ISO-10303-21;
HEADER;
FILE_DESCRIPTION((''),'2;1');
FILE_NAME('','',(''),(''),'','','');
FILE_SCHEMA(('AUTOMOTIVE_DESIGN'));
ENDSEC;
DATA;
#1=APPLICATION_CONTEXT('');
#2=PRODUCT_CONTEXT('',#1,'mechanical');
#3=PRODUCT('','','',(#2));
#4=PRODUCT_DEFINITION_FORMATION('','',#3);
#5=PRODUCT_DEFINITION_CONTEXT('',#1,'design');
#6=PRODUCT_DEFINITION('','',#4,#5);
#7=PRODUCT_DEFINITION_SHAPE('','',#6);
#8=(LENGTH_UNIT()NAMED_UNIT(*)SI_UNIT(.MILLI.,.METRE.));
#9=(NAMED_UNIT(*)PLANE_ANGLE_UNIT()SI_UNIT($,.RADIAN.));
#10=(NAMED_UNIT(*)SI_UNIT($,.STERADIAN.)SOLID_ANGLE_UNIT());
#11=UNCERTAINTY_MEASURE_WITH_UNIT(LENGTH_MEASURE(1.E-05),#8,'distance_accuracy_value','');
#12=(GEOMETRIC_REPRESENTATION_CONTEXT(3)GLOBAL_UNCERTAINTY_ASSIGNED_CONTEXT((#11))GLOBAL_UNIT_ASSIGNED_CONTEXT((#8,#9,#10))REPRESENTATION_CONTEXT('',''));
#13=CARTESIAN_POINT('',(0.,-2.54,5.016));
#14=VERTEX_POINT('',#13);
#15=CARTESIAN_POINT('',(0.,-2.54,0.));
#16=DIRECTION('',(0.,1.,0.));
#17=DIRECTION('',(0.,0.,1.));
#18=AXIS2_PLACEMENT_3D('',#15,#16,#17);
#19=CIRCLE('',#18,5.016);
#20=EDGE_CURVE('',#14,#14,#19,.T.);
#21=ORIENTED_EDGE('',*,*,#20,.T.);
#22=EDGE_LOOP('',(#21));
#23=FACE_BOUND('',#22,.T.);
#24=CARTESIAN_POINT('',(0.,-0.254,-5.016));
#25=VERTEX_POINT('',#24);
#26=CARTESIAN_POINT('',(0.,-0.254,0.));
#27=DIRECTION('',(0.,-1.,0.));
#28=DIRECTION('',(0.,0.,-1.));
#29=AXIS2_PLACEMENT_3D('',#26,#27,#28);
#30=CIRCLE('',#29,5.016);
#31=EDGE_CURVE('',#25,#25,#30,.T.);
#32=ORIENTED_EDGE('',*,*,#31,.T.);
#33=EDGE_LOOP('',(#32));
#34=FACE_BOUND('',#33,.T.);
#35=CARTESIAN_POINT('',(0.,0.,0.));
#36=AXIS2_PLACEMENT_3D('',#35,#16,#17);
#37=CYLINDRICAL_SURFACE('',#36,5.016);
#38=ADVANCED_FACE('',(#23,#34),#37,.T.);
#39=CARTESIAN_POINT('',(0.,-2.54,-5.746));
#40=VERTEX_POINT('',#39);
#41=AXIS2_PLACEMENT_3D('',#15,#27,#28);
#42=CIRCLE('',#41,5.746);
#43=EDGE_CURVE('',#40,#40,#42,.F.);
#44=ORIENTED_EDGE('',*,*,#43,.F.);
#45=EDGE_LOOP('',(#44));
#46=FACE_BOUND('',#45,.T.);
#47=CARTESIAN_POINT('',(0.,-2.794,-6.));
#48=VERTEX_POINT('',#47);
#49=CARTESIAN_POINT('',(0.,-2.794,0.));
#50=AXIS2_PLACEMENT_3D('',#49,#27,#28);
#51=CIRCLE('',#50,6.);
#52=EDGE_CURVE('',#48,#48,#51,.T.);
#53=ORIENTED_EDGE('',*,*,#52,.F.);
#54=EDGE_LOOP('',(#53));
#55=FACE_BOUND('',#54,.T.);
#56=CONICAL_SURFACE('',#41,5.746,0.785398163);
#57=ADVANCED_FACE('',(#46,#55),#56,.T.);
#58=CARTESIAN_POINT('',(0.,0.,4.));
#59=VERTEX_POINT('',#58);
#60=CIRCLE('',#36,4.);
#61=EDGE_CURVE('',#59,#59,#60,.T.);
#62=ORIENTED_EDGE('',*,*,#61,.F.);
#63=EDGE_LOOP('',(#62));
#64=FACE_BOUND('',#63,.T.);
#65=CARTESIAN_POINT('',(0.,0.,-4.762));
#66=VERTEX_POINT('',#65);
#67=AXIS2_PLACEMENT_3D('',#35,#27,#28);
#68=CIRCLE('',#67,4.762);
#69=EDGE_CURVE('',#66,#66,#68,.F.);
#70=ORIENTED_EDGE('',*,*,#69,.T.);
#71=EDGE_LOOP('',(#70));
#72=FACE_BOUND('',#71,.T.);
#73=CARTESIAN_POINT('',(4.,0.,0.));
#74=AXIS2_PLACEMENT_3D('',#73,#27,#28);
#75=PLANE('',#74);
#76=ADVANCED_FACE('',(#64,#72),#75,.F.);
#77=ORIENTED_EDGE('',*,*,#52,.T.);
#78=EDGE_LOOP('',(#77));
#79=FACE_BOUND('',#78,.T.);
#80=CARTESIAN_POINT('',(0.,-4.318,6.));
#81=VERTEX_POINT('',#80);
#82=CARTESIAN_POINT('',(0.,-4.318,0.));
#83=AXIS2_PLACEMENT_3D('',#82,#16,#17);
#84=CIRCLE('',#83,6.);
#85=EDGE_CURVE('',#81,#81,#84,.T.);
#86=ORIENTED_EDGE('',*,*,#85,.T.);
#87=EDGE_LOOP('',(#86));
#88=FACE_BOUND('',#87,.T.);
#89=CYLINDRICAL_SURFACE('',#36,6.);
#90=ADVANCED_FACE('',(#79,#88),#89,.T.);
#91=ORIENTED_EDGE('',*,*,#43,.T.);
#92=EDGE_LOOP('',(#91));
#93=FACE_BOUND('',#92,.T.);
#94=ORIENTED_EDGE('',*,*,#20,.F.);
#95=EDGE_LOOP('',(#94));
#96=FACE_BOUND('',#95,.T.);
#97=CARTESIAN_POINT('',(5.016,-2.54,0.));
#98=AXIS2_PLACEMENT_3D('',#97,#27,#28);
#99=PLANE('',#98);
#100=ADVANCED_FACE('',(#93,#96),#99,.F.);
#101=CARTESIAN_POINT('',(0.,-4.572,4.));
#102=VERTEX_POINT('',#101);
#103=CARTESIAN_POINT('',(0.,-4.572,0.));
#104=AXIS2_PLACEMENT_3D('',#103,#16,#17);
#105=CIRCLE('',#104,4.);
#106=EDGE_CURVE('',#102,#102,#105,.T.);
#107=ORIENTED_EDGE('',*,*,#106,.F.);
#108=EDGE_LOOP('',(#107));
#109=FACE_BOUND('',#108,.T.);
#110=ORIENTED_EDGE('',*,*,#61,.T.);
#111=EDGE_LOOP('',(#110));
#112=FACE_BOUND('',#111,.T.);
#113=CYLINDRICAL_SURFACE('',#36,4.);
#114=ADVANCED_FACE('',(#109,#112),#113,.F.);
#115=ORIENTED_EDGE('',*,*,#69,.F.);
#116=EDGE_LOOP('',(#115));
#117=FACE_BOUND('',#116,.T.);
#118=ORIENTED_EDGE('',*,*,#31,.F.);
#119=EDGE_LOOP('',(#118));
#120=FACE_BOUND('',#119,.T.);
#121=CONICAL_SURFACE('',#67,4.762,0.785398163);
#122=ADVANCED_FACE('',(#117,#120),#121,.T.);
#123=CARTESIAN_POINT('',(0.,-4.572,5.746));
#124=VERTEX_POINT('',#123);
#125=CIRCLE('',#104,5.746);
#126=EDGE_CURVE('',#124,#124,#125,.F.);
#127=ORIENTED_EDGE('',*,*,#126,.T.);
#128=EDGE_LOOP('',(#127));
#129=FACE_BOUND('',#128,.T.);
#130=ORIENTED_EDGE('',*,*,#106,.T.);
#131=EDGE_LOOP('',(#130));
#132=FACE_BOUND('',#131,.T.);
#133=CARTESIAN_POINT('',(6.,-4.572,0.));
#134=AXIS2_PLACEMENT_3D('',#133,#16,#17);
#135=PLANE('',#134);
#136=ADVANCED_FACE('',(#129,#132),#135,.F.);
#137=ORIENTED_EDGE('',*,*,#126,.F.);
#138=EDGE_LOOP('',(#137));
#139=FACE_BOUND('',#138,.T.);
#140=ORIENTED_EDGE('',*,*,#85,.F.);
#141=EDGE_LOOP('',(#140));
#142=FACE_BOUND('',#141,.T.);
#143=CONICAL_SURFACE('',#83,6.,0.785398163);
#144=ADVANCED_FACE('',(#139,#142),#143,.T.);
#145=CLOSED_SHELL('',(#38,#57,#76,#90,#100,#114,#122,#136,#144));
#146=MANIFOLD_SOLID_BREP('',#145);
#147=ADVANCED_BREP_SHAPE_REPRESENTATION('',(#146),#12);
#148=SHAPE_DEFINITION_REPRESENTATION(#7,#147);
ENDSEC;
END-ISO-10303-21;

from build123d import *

# Parameters (mm, degrees)
CHAMFER1_SIZE = 0.254


with BuildPart() as part:
    # Sketch1 → Revolve1 (revolve)
    with BuildSketch(Plane.XY):
        Polygon((5.016, 0), (5.016, -2.54), (6, -2.54), (6, -4.572), (4, -4.572), (4, 0), align=None)
    revolve(axis=Axis((0, 0, 0), (0, -1, 0)))

    # Chamfer1
    chamfer1_edges = [part.edges().sort_by_distance(p)[0] for p in [
        (-6, -4.572, 0),
        (-6, -2.54, 0),
        (-5.016, 0, 0),
    ]]
    chamfer(chamfer1_edges, length=CHAMFER1_SIZE)


solid = part.part
